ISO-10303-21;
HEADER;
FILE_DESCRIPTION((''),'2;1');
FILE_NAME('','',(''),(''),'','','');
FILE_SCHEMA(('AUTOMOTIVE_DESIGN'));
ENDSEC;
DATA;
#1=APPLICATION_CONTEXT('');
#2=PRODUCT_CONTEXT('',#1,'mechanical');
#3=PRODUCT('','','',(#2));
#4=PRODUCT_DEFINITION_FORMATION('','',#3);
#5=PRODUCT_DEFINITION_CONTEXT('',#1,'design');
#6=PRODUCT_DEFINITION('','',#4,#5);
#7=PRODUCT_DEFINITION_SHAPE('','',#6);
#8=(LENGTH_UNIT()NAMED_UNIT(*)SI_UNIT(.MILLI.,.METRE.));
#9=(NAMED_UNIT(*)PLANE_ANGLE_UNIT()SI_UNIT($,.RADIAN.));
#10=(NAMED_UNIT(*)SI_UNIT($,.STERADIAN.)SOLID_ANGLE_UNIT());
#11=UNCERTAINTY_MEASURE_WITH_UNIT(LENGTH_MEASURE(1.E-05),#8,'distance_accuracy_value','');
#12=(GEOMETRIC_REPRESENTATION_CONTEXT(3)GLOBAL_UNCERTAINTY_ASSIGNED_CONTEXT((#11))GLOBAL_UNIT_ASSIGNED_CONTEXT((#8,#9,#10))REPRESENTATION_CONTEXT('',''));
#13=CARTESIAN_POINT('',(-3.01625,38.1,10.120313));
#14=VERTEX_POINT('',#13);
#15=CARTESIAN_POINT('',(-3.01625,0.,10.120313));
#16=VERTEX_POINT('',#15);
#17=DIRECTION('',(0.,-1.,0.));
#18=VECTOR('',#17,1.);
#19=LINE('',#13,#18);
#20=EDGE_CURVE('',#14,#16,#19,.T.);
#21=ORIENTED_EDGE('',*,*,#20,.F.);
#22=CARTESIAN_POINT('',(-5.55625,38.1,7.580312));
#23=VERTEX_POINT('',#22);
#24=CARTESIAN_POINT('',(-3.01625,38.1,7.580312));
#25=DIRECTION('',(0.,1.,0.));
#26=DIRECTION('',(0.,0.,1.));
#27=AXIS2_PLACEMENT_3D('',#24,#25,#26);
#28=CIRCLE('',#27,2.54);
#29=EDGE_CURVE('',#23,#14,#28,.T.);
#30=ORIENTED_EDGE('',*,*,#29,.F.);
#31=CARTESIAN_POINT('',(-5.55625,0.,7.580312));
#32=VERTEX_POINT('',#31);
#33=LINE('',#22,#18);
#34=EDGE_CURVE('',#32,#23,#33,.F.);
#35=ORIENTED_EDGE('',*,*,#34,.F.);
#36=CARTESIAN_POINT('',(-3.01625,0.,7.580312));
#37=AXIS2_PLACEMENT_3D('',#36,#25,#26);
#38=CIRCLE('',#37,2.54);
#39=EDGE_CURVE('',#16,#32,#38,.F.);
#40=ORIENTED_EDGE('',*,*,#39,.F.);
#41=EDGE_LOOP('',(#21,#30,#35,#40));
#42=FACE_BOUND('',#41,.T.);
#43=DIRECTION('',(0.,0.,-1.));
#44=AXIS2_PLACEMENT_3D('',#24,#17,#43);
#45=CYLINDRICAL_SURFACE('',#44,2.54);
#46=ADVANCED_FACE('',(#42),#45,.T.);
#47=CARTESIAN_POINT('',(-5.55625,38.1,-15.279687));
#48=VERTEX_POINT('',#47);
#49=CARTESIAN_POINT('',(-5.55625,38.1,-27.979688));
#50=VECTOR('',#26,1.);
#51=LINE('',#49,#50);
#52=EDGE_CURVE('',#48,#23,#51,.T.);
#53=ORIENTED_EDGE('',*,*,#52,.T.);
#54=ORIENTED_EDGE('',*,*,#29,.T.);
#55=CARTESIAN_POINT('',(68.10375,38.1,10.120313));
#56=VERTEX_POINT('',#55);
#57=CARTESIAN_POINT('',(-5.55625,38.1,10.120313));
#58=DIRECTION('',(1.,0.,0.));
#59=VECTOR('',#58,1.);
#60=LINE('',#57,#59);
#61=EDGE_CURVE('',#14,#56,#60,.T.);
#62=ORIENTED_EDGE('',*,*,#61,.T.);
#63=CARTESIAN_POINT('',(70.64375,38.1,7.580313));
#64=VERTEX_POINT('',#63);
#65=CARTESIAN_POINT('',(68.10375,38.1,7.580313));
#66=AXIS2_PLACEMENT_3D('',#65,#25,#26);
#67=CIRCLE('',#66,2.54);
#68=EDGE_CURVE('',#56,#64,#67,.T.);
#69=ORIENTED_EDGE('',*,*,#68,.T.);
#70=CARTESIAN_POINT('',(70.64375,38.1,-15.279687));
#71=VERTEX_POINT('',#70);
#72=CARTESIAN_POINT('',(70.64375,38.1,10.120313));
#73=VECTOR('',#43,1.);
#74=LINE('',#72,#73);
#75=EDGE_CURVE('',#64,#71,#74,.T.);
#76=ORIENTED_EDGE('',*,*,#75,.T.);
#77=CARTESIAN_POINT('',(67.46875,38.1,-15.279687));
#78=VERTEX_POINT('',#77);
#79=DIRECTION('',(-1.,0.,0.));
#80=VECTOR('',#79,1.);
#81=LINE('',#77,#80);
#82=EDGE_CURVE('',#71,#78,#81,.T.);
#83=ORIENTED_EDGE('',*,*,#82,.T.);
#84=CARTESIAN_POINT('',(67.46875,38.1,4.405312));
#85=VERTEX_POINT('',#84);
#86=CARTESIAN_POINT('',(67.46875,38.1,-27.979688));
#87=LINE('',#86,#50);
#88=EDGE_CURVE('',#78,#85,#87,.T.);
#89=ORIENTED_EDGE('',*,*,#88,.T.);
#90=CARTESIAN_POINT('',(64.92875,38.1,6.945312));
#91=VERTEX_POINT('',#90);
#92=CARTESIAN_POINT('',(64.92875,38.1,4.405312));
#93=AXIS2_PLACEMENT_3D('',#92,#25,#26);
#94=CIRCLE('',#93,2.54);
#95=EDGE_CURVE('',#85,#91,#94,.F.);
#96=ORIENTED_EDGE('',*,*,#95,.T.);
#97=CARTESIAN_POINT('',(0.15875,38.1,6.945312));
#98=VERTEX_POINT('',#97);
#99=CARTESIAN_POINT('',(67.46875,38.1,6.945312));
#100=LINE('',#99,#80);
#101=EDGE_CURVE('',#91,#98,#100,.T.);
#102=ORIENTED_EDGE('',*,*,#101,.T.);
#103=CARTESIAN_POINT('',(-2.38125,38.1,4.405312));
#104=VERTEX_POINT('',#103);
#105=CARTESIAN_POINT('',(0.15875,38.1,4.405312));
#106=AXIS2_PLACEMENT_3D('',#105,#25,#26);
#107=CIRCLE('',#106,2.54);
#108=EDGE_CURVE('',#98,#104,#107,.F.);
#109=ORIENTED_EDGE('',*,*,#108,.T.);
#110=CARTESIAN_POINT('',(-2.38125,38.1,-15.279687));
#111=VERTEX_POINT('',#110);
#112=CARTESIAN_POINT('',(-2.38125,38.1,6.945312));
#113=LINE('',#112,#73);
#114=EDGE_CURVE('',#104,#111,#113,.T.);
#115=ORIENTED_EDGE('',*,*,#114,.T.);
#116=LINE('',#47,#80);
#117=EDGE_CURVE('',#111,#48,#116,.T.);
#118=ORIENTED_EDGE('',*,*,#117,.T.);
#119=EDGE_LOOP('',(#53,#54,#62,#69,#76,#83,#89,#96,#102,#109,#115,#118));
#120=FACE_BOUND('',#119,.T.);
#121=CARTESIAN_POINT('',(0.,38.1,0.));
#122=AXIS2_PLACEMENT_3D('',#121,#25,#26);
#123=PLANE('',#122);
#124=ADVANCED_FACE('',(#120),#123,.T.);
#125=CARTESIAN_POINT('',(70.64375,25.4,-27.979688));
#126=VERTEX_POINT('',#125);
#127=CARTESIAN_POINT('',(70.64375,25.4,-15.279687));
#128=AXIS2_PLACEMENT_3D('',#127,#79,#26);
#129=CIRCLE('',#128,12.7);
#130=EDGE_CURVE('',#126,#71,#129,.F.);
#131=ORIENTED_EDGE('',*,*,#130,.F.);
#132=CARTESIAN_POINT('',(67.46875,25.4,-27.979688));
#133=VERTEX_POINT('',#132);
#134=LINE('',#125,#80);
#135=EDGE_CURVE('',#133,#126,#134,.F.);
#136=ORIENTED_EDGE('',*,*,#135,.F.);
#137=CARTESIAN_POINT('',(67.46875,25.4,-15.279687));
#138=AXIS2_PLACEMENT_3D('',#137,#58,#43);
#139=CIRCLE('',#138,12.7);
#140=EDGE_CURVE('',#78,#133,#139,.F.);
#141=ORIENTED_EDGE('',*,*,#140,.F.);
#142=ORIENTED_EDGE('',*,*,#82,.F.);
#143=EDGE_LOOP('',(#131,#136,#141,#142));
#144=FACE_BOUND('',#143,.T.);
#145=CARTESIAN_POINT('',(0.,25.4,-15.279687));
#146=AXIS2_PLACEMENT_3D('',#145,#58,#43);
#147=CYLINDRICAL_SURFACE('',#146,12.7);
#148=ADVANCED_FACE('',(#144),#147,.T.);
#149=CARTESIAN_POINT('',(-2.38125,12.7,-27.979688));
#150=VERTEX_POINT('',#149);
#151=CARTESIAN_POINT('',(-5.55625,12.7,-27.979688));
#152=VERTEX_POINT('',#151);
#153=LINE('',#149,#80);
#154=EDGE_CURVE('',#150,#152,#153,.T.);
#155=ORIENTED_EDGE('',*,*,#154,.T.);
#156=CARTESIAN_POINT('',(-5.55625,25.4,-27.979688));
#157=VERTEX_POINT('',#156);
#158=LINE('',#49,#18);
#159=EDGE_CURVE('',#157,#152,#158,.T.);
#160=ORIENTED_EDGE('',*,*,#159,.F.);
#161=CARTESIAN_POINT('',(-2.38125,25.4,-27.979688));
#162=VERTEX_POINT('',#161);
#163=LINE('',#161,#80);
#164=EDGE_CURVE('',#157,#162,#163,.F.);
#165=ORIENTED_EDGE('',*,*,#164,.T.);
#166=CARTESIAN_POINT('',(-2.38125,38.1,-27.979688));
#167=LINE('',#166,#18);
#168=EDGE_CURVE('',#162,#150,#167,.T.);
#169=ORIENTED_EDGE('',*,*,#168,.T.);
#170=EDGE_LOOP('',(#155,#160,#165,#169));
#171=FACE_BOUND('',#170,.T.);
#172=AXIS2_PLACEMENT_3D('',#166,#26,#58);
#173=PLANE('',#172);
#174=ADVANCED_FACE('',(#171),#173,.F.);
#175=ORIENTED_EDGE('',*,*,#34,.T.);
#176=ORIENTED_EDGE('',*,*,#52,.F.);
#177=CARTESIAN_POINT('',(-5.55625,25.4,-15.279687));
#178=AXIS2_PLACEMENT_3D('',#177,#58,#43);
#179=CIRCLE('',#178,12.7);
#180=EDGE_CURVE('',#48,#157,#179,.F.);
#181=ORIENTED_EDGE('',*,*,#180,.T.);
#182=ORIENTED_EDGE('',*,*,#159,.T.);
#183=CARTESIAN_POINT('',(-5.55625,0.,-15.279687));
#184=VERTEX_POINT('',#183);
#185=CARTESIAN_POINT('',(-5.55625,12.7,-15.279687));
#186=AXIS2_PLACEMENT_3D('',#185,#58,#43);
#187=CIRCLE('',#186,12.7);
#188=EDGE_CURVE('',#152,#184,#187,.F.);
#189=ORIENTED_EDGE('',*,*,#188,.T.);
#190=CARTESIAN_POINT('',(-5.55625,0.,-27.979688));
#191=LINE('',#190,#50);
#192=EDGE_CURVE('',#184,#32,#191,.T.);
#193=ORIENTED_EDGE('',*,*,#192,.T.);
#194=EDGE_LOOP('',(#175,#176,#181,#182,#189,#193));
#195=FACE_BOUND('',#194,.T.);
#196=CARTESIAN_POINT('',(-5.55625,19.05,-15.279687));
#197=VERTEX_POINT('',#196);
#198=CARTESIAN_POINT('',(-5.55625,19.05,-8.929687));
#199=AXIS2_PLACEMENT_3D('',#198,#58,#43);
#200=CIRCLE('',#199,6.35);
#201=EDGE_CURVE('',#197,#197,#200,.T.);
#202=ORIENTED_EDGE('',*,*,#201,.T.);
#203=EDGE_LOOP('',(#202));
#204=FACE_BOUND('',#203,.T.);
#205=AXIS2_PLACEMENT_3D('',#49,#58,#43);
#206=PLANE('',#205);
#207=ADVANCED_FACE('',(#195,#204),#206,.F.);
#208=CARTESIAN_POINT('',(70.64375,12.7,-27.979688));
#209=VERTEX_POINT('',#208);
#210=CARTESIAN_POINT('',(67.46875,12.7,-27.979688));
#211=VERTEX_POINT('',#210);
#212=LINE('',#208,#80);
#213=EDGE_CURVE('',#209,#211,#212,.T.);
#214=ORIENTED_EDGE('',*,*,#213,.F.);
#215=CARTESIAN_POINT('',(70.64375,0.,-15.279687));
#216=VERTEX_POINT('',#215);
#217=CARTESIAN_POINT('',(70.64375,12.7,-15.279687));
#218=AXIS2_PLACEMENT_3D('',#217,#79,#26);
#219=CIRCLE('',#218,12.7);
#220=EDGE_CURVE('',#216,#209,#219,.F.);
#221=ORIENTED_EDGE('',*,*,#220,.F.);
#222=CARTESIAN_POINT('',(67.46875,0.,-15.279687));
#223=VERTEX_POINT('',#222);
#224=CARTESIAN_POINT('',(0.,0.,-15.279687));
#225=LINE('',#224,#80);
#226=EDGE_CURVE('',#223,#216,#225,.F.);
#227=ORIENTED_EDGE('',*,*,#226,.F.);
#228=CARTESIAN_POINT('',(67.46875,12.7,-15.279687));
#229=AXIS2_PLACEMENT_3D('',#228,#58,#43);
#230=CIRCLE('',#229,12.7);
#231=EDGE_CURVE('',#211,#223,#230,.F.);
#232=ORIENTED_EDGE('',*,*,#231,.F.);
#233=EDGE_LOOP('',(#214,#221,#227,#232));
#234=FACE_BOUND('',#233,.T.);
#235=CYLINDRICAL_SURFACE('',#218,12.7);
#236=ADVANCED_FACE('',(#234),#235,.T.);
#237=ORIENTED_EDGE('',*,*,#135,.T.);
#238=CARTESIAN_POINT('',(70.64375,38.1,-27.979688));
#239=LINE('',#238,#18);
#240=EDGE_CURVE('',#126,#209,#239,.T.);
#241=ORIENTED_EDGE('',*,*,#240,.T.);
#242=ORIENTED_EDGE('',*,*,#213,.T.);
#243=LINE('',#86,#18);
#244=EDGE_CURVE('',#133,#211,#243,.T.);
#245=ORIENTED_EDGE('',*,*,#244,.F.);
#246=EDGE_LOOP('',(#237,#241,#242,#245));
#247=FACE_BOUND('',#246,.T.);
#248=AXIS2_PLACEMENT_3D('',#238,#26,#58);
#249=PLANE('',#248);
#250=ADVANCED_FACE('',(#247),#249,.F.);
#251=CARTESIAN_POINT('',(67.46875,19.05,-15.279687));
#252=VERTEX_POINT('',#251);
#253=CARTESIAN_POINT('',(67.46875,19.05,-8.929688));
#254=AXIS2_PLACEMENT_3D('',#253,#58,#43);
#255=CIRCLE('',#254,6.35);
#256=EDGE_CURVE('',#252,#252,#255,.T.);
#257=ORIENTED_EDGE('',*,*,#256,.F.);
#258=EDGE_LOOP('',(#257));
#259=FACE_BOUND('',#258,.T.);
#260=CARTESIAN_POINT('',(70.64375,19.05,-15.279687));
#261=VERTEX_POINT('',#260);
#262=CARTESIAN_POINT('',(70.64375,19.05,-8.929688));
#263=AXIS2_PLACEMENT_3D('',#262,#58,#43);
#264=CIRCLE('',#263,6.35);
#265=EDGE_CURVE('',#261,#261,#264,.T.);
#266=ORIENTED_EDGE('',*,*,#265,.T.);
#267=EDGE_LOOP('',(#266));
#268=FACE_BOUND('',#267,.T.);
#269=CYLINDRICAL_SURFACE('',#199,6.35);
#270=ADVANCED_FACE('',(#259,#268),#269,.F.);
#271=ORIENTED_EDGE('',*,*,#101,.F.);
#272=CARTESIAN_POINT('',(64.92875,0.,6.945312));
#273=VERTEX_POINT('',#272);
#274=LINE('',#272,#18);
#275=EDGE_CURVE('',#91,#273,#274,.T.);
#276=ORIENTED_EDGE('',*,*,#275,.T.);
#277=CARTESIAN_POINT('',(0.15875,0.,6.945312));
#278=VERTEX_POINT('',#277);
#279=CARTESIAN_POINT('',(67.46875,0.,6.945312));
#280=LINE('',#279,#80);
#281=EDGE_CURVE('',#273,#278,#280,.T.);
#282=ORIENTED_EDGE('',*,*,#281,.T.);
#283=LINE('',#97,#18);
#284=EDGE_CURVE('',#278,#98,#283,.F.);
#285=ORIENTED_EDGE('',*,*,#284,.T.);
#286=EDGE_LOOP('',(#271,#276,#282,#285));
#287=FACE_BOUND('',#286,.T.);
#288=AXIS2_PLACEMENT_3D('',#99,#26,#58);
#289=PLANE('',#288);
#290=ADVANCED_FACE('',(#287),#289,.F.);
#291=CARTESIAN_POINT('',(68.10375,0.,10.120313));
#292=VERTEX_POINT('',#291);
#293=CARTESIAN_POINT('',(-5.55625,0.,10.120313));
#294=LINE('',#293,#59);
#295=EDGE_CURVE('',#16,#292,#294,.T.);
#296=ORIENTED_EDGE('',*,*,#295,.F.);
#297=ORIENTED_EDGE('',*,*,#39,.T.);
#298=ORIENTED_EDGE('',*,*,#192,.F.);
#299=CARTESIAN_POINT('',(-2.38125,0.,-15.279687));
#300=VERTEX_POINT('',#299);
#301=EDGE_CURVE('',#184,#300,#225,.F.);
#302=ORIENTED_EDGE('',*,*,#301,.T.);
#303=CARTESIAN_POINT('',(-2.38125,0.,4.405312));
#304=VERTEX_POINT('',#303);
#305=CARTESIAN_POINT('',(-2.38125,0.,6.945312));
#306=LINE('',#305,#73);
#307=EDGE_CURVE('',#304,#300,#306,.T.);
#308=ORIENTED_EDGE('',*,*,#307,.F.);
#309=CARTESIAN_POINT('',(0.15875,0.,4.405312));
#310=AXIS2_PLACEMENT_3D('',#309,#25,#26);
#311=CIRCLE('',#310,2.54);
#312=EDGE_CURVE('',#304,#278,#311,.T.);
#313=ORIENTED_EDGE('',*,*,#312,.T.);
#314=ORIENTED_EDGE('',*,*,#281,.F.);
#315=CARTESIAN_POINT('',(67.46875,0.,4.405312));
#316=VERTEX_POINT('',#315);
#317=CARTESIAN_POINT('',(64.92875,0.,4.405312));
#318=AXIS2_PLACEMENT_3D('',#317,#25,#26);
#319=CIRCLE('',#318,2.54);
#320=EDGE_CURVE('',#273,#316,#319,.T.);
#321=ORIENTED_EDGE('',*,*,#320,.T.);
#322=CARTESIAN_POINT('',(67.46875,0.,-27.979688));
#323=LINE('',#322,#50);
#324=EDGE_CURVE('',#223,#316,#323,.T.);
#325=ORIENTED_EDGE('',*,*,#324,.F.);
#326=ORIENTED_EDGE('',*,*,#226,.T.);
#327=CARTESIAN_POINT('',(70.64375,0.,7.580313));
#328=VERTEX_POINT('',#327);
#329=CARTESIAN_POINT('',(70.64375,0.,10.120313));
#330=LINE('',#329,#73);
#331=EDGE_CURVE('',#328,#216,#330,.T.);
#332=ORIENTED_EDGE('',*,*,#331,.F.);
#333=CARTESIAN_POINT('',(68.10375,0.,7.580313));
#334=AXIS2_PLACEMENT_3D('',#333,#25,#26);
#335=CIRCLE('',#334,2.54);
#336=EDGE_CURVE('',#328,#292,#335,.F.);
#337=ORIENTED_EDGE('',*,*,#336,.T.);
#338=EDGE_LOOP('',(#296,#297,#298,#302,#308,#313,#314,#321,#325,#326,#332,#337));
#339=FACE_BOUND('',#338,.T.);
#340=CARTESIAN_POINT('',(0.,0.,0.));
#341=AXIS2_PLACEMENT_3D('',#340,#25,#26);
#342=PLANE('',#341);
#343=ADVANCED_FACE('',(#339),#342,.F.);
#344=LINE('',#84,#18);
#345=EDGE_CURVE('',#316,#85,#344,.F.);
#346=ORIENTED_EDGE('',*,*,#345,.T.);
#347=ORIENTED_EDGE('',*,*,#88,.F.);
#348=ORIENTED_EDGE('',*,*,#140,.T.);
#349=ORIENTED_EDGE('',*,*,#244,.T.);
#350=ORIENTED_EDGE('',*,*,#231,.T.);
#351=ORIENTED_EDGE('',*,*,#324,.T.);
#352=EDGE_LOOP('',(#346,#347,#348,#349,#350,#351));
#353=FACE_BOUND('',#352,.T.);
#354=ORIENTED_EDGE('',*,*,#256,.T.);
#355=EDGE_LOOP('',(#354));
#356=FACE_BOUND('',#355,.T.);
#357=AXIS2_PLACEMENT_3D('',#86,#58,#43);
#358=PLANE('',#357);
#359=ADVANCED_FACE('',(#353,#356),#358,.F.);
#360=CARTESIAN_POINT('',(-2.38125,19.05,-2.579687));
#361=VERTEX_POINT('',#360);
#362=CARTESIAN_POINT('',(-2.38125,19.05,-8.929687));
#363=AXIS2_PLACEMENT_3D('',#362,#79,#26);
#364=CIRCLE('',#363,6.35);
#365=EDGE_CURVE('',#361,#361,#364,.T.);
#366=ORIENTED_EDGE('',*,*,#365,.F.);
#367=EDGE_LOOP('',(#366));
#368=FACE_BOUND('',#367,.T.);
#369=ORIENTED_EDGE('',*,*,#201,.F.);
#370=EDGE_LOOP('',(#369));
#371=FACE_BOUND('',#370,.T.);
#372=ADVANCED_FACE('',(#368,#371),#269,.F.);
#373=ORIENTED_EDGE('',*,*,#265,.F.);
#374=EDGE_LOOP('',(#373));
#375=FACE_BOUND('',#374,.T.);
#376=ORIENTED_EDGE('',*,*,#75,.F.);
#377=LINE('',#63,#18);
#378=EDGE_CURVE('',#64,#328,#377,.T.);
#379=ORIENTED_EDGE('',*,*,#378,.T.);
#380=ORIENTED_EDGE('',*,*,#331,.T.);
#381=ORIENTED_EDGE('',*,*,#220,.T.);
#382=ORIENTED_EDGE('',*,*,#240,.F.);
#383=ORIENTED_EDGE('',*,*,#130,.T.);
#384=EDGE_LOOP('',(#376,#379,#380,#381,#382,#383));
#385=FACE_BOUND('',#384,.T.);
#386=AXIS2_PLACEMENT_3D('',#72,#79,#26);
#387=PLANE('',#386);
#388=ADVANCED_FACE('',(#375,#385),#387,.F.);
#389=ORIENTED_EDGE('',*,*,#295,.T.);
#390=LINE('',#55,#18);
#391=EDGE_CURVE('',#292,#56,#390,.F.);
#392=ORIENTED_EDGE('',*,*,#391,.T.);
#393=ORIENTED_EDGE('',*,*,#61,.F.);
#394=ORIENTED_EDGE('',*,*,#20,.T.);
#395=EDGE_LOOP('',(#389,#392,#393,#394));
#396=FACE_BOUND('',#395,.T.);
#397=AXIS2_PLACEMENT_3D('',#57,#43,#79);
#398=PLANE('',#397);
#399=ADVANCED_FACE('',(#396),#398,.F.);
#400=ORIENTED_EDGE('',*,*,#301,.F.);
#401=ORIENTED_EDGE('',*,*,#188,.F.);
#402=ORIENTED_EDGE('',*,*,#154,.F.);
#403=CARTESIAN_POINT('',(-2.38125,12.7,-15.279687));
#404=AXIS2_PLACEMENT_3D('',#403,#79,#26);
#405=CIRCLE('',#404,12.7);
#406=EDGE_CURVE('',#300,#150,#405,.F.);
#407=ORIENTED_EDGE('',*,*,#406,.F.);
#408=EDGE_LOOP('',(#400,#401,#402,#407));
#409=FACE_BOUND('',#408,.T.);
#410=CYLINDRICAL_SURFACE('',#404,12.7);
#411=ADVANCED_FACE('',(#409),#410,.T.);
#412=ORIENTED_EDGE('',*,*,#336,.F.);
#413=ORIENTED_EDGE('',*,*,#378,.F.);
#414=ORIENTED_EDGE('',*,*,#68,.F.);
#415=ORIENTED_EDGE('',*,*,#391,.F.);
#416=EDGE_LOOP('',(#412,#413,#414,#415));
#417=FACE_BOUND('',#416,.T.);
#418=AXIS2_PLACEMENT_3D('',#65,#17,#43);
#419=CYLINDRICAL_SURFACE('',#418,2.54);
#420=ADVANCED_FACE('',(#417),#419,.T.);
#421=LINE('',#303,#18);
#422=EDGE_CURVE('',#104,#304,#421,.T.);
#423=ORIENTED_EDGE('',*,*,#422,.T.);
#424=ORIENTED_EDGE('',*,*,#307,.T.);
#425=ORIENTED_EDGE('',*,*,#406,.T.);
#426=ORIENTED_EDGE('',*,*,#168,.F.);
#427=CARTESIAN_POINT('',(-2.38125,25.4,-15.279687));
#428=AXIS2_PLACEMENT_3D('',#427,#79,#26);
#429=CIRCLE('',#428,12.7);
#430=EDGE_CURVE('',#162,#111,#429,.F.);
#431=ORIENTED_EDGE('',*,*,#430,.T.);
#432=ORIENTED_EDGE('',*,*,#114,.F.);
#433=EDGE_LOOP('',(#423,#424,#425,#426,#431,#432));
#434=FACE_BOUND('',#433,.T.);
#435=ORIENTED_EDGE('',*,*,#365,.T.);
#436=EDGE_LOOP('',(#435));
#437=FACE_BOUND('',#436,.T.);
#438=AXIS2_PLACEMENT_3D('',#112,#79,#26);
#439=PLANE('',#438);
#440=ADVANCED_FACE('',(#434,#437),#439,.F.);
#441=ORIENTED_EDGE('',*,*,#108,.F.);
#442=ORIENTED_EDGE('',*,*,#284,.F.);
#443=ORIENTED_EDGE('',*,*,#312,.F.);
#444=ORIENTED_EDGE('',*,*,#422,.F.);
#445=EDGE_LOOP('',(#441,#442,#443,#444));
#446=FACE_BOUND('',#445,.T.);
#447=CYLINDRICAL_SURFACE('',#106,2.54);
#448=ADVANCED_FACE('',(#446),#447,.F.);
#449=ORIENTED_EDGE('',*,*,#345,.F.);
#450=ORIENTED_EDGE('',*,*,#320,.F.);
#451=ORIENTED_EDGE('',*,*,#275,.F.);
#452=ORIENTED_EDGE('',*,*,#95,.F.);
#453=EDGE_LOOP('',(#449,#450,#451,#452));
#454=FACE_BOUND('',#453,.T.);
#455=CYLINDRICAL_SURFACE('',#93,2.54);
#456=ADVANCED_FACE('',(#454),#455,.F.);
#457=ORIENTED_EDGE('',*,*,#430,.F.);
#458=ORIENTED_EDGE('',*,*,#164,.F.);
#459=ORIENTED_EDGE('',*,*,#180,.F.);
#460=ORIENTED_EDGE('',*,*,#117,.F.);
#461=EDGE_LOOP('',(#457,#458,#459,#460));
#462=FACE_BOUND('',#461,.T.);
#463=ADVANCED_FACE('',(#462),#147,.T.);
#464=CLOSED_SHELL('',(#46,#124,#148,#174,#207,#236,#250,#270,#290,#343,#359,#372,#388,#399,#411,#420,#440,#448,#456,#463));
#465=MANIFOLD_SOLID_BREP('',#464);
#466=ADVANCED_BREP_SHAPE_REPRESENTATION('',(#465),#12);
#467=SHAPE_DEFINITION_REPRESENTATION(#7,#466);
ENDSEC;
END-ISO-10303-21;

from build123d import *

# Parameters (mm, degrees)
BOSS_EXTRUDE1_DEPTH = 38.1
SKETCH4_R           = 6.35
CUT_EXTRUDE1_DEPTH  = 77.2
FILLET1_R           = 12.7
FILLET2_R           = 2.54


with BuildPart() as part:
    # Sketch1 → Boss-Extrude1 (new body)
    with BuildSketch(Plane(origin=(0, 0, 0), x_dir=(1, 0, 0), z_dir=(0, 1, 0))):
        Polygon((-5.55625, 27.9796875), (-5.55625, -10.1203125), (70.64375, -10.1203125), (70.64375, 27.9796875), (67.46875, 27.9796875), (67.46875, -6.9453125), (-2.38125, -6.9453125), (-2.38125, 27.9796875), align=None)
    extrude(amount=BOSS_EXTRUDE1_DEPTH)

    # Sketch4 → Cut-Extrude1 (cut, through all)
    with BuildSketch(Plane(origin=(70.64375, 0, 0), x_dir=(0, 0, -1), z_dir=(1, 0, 0))):
        with Locations((8.9296875, 19.05)):
            Circle(SKETCH4_R)
    extrude(amount=-CUT_EXTRUDE1_DEPTH, mode=Mode.SUBTRACT)

    # Fillet1
    fillet1_edges = [part.edges().sort_by_distance(p)[0] for p in [
        (-3.96875, 0, -27.9796875),
        (69.05625, 38.1, -27.9796875),
        (-3.96875, 38.1, -27.9796875),
        (69.05625, 0, -27.9796875),
    ]]
    fillet(fillet1_edges, radius=FILLET1_R)

    # Fillet2
    fillet2_edges = [part.edges().sort_by_distance(p)[0] for p in [
        (-2.38125, 19.05, 6.9453125),
        (67.46875, 19.05, 6.9453125),
        (70.64375, 19.05, 10.1203125),
        (-5.55625, 19.05, 10.1203125),
    ]]
    fillet(fillet2_edges, radius=FILLET2_R)


solid = part.part
